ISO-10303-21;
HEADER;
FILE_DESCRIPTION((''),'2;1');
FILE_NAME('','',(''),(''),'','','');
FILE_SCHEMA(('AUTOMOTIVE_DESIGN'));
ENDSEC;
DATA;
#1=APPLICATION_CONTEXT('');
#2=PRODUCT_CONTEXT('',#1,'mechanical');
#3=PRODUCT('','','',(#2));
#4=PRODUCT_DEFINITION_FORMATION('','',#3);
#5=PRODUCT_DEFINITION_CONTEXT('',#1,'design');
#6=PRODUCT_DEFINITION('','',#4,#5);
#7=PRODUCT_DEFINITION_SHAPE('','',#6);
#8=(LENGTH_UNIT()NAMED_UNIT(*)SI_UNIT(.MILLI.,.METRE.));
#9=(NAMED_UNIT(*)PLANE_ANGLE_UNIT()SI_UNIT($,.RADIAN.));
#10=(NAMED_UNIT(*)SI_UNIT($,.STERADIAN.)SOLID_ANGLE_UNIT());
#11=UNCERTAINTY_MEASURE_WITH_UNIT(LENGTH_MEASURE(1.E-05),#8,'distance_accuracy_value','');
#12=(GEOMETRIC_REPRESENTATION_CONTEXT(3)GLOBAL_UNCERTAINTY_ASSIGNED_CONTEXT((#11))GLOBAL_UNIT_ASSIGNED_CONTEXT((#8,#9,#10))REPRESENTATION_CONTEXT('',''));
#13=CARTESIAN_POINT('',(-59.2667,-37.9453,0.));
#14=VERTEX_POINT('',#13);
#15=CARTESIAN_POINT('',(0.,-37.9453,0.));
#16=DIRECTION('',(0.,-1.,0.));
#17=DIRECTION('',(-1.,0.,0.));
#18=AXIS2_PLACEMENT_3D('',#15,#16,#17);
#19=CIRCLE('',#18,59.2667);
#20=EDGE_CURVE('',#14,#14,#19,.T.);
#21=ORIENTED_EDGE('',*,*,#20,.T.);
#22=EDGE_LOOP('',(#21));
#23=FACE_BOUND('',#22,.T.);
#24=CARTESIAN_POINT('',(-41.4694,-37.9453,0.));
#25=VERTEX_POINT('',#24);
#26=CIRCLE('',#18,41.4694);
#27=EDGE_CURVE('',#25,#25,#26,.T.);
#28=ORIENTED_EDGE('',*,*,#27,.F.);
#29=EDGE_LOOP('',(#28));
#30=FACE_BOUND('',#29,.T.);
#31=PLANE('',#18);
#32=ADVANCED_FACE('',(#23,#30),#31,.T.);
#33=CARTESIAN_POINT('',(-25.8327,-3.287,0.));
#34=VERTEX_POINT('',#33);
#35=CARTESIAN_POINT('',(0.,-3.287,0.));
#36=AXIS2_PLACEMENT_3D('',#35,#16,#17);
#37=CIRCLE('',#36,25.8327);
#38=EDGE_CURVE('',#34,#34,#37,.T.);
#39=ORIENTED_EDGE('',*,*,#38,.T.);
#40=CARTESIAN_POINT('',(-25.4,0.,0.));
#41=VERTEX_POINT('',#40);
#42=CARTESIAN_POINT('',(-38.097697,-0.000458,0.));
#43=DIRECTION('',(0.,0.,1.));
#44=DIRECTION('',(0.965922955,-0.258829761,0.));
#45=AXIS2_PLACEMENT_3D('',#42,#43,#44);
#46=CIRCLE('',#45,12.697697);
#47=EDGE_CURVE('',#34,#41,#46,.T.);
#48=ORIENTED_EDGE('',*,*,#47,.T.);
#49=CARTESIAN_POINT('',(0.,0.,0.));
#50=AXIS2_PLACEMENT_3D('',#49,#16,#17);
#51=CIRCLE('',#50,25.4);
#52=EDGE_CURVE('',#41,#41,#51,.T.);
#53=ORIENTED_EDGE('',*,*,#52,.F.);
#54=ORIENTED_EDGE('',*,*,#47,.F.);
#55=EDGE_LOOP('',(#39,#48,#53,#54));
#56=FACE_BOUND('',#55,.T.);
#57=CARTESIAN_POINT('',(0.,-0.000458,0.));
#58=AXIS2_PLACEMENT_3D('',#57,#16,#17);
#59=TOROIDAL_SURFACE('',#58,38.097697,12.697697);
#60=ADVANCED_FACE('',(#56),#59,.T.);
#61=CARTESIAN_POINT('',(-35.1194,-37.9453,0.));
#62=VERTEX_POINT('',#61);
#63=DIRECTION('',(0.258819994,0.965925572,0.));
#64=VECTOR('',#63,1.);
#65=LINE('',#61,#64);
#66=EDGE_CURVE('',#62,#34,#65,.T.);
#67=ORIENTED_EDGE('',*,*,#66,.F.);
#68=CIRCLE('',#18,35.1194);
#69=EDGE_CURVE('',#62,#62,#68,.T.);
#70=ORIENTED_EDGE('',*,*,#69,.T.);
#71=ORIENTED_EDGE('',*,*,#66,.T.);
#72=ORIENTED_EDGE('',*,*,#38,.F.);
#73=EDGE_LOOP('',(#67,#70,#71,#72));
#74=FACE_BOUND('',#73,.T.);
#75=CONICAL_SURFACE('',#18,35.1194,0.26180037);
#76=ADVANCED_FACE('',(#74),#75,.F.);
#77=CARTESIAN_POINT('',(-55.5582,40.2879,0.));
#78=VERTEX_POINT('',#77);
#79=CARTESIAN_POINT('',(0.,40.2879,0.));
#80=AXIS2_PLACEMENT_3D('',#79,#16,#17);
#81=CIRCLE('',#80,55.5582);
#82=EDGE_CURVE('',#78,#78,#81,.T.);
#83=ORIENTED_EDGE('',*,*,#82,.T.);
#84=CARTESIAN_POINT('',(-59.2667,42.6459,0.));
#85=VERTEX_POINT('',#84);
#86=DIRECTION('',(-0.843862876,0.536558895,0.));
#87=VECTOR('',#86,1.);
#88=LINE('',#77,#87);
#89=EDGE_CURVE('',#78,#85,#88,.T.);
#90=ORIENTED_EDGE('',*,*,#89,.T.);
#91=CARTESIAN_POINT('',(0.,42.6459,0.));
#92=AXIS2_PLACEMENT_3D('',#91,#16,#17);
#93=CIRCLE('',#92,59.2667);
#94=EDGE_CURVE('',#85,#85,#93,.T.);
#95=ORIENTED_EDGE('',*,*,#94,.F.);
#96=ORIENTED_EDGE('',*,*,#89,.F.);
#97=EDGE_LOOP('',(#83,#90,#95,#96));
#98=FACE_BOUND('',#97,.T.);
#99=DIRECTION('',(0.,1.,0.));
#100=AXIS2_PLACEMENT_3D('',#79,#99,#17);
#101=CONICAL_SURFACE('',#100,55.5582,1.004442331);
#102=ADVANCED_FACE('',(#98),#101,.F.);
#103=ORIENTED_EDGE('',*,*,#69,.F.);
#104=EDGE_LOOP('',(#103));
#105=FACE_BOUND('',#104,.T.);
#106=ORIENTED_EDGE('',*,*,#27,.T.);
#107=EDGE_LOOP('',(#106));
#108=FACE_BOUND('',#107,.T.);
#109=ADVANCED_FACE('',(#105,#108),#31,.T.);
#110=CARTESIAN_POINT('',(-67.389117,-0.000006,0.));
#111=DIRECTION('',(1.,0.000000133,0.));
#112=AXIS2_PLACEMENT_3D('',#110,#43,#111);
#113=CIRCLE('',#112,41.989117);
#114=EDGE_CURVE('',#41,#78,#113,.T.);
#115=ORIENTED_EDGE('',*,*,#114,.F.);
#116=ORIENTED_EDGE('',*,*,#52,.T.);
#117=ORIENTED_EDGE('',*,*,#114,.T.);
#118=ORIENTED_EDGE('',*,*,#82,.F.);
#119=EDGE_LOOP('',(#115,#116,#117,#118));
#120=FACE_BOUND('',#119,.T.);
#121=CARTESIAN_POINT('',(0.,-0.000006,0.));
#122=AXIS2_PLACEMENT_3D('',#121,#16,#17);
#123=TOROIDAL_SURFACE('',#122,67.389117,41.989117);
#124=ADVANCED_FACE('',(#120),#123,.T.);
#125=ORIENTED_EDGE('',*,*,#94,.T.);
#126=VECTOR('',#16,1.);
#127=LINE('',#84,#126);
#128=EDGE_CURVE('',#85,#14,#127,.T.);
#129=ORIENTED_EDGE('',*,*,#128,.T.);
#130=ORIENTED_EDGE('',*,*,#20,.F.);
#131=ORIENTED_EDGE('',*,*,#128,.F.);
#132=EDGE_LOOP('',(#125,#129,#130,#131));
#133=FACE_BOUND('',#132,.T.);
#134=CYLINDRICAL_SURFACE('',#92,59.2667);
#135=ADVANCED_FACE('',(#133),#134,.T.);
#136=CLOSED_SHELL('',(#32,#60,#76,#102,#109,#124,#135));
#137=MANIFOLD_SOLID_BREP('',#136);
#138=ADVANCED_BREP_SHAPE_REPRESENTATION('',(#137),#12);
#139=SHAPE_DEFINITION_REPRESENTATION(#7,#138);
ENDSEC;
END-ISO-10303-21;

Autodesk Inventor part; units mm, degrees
ref_plane "YZ Plane" through (0, 0, 0) normal (1, 0, 0) x (0, 1, 0)
ref_plane "XZ Plane" through (0, 0, 0) normal (0, 1, 0) x (-1, 0, 0)
ref_plane "XY Plane" through (0, 0, 0) normal (0, 0, 1) x (1, 0, 0)
sketch "Sketch1" plane through (0, 0, 0) normal (0, 0, 1) x (1, 0, 0)
  arc A0 (-25.8327, -3.287) -> (-25.4, 0) centre (-38.1, 0) ccw
  line L0 (-59.2667, 42.6459) -> (-60.6149, 42.6459)
  line L1 (-59.2667, 42.6459) -> (0, 42.6459) construction
  line L2 (-41.4694, -37.9453) -> (-35.1194, -37.9453)
  line L3 (-80.7, -43.0791) -> (-21.9625, -43.0791) construction
  line L4 (-87.05, -219.9038) -> (-83.875, -219.9038)
  line L5 (0, 42.6459) -> (0, 0)
  line L6 (-87.8501, 55.3459) -> (-18.3062, 55.3459) construction
  line L7 (-87.8501, 55.3459) -> (-14.7047, 55.3459) construction
  line L8 (-87.8501, 55.3459) -> (-52.22, 55.3459) construction
  arc A1 (-25.4, 0) -> (-55.5582, 40.2879) centre (-67.3891, 0) ccw
  line L9 (-59.2667, 42.6459) -> (-59.2667, -37.9453)
  line L10 (-59.2667, 42.6459) -> (21.3245, 42.6459) construction
  line L11 (-59.2667, -37.9453) -> (-41.4694, -37.9453)
  line L12 (-55.5582, 40.2879) -> (-59.2667, 42.6459)
  line L13 (-35.1194, -37.9453) -> (-25.8327, -3.287)
  dimension "d56" = 25.4
  dimension "d60" = 12.7
  dimension "d61" = 12.7
  dimension "d62" = 59.2667
  dimension "d63" = 6.35
  dimension "d77" = 3.175
  dimension "d84" = 41.9891
  dimension "d85" = 32.2919
  dimension "d86" = 90
  dimension "d87" = 80.5912
revolve "Revolution1" add sketch "Sketch1" angle 360 about axis through (0, 42.6459, 0) along (0, -1, 0)
properties part number "Graphite" material "GFRC"
